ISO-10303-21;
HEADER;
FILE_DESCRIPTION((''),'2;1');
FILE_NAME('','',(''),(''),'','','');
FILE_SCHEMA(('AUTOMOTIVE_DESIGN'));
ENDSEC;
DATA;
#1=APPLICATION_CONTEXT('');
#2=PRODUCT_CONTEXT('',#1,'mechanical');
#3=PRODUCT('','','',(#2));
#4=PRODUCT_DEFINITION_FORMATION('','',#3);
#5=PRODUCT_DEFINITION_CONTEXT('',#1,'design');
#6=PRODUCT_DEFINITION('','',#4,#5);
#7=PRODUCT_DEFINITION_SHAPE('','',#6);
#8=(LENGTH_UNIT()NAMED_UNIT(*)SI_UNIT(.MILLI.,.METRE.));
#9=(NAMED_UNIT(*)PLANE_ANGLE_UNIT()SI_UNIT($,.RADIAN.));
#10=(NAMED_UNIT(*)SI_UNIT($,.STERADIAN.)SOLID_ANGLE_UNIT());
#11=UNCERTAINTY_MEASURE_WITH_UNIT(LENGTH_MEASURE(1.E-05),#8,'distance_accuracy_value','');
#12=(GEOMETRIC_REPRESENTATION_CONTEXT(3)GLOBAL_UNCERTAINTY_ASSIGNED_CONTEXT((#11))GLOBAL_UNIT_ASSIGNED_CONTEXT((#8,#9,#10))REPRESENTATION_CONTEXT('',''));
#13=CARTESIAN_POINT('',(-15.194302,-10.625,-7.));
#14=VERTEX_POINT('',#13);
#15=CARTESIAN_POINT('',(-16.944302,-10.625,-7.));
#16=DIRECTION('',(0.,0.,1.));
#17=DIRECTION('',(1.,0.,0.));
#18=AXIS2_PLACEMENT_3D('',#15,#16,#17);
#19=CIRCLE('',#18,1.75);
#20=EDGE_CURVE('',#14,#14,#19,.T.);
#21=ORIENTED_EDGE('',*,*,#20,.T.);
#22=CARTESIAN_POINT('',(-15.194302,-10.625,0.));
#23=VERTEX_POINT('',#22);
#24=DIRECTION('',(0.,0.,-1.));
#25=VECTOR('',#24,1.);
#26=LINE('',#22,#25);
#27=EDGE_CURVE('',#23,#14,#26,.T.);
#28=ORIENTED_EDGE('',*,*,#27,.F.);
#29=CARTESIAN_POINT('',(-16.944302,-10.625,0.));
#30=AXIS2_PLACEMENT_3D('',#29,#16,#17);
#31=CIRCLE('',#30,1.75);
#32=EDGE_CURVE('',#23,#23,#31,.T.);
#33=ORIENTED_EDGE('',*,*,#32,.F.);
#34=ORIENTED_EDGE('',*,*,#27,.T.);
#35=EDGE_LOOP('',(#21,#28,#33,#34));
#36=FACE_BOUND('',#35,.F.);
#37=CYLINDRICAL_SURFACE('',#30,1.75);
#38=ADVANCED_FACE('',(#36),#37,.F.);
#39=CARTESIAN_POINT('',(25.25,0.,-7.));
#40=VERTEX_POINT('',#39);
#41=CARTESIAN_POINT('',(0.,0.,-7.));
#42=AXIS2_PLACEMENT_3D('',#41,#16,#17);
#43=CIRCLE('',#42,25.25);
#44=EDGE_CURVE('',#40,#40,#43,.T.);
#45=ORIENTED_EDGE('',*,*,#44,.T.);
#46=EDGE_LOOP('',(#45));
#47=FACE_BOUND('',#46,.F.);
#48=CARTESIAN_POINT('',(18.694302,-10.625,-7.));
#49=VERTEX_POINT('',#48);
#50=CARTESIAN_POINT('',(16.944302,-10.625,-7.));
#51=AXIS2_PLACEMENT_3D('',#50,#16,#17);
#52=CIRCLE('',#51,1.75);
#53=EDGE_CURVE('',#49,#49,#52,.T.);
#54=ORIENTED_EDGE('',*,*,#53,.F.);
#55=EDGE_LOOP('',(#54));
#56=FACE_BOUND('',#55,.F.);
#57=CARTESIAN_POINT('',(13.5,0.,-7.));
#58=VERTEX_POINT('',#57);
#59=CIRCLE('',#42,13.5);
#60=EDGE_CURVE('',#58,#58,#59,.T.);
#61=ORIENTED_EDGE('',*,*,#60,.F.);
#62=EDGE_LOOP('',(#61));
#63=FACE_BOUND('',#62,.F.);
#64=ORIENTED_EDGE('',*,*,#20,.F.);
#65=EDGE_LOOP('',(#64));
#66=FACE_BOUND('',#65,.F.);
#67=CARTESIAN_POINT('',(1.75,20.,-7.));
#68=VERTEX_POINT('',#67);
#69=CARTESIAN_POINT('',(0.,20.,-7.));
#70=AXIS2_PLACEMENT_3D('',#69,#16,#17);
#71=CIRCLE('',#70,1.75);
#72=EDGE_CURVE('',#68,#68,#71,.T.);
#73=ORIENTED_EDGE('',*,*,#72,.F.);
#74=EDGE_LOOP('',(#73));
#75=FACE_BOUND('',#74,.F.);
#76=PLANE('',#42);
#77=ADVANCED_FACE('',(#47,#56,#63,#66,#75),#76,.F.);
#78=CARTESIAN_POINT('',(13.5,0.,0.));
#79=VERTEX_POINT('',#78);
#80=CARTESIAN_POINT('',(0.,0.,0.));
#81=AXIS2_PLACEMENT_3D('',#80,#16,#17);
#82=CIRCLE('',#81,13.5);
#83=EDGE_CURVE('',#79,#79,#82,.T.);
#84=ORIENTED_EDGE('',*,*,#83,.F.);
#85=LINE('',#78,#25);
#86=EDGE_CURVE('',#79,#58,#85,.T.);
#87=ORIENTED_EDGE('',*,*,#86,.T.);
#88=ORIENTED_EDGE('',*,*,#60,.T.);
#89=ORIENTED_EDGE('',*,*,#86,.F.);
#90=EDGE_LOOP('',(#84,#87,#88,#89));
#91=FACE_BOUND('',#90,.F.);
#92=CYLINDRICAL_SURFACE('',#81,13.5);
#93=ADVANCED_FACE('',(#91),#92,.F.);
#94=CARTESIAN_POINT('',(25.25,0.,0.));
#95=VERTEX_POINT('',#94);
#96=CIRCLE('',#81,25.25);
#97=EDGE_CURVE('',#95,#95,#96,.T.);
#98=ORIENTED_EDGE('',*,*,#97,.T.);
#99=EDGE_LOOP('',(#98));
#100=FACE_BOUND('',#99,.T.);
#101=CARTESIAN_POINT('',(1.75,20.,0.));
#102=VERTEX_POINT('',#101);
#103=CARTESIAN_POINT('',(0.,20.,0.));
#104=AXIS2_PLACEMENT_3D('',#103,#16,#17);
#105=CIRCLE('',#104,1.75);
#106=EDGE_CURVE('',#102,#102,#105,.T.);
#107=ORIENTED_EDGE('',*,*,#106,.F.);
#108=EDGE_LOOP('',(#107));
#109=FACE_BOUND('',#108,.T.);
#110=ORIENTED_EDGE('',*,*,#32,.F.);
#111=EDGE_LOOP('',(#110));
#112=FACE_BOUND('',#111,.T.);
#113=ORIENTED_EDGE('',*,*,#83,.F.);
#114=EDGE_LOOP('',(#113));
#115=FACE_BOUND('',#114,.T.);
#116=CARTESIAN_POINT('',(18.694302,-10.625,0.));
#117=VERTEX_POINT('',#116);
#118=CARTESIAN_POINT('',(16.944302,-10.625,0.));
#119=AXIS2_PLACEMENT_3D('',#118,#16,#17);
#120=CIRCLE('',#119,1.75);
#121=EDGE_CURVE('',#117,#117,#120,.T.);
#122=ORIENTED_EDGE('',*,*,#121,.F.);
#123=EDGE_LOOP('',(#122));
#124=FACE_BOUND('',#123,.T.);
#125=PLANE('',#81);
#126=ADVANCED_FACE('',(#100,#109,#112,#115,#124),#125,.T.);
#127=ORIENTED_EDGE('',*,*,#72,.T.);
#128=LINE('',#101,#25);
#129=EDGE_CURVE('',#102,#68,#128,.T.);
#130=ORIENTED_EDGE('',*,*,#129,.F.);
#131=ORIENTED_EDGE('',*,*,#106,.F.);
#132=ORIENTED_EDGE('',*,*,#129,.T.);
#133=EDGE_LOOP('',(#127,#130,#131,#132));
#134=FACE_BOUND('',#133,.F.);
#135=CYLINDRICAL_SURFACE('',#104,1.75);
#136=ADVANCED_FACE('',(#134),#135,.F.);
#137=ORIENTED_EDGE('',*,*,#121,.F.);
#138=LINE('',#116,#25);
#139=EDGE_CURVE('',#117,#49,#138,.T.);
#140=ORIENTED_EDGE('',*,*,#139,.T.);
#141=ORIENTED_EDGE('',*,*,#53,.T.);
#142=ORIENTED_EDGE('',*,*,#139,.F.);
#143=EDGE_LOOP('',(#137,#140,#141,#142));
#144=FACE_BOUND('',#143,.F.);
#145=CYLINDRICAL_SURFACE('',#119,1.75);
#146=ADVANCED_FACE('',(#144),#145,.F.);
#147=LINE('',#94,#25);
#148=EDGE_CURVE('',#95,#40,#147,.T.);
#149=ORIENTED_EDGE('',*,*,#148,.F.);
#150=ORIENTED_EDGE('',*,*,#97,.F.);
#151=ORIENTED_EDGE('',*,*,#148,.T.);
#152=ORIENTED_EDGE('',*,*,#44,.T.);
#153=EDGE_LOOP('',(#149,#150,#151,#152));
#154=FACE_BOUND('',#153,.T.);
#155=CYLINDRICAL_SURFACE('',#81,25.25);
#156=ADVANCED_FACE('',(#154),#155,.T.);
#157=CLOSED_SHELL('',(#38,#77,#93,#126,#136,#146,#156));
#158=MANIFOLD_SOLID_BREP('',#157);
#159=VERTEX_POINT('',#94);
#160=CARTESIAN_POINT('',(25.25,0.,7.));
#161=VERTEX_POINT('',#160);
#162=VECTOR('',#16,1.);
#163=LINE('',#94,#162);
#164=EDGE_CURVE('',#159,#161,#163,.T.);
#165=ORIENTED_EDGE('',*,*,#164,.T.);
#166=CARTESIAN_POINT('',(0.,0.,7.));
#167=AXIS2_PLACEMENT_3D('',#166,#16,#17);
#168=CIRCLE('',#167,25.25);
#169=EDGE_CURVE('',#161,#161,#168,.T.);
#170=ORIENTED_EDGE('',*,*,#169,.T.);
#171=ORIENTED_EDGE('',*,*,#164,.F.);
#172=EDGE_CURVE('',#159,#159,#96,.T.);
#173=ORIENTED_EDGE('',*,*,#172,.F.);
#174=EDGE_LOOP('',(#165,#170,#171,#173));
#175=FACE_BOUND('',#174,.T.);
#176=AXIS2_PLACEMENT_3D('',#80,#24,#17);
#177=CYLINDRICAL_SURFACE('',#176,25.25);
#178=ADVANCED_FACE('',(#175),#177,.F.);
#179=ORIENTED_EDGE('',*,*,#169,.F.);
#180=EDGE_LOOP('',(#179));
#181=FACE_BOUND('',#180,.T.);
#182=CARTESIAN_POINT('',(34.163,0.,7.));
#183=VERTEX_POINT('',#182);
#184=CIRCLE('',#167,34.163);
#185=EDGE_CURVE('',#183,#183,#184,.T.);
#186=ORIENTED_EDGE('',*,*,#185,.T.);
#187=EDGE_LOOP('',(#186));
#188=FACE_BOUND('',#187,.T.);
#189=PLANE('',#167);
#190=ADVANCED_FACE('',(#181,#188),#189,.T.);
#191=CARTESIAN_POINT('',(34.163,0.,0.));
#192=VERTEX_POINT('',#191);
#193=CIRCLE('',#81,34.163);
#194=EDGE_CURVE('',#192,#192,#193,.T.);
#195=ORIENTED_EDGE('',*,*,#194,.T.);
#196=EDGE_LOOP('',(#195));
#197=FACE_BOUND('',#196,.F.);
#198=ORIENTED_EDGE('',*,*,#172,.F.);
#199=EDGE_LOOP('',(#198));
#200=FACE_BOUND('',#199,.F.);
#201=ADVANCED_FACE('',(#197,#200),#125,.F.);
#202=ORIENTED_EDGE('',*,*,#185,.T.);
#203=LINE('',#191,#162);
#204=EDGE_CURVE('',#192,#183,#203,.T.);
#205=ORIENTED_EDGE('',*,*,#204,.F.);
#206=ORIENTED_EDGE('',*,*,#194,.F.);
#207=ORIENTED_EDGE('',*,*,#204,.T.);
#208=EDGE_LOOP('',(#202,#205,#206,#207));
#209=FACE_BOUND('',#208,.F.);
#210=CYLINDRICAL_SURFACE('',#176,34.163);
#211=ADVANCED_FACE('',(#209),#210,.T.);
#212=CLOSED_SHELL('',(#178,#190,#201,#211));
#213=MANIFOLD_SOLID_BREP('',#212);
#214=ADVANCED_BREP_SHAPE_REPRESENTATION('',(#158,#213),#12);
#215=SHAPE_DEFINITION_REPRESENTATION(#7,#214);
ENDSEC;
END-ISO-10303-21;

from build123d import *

# Parameters (mm, degrees)
F0_R     = 25.25
F0_R_2   = 1.75
F0_R_3   = 13.5
F1_DEPTH = 7
F0_R_4   = 34.163
F2_DEPTH = 7


with BuildPart() as f1:
    # F0 (on Top) → F1 (new body)
    with BuildSketch(Plane.XY):
        Circle(F0_R)
        with Locations((-16.944302, -10.625)):
            Circle(F0_R_2, mode=Mode.SUBTRACT)
        with Locations((16.944302, -10.625)):
            Circle(F0_R_2, mode=Mode.SUBTRACT)
        Circle(F0_R_3, mode=Mode.SUBTRACT)
        with Locations((0, 20)):
            Circle(F0_R_2, mode=Mode.SUBTRACT)
    extrude(amount=-F1_DEPTH)


with BuildPart() as f2:
    # F0 (on Top) → F2 (new body)
    with BuildSketch(Plane.XY):
        Circle(F0_R_4)
        Circle(F0_R, mode=Mode.SUBTRACT)
    extrude(amount=F2_DEPTH)


solid = Compound([f1.part, f2.part])
